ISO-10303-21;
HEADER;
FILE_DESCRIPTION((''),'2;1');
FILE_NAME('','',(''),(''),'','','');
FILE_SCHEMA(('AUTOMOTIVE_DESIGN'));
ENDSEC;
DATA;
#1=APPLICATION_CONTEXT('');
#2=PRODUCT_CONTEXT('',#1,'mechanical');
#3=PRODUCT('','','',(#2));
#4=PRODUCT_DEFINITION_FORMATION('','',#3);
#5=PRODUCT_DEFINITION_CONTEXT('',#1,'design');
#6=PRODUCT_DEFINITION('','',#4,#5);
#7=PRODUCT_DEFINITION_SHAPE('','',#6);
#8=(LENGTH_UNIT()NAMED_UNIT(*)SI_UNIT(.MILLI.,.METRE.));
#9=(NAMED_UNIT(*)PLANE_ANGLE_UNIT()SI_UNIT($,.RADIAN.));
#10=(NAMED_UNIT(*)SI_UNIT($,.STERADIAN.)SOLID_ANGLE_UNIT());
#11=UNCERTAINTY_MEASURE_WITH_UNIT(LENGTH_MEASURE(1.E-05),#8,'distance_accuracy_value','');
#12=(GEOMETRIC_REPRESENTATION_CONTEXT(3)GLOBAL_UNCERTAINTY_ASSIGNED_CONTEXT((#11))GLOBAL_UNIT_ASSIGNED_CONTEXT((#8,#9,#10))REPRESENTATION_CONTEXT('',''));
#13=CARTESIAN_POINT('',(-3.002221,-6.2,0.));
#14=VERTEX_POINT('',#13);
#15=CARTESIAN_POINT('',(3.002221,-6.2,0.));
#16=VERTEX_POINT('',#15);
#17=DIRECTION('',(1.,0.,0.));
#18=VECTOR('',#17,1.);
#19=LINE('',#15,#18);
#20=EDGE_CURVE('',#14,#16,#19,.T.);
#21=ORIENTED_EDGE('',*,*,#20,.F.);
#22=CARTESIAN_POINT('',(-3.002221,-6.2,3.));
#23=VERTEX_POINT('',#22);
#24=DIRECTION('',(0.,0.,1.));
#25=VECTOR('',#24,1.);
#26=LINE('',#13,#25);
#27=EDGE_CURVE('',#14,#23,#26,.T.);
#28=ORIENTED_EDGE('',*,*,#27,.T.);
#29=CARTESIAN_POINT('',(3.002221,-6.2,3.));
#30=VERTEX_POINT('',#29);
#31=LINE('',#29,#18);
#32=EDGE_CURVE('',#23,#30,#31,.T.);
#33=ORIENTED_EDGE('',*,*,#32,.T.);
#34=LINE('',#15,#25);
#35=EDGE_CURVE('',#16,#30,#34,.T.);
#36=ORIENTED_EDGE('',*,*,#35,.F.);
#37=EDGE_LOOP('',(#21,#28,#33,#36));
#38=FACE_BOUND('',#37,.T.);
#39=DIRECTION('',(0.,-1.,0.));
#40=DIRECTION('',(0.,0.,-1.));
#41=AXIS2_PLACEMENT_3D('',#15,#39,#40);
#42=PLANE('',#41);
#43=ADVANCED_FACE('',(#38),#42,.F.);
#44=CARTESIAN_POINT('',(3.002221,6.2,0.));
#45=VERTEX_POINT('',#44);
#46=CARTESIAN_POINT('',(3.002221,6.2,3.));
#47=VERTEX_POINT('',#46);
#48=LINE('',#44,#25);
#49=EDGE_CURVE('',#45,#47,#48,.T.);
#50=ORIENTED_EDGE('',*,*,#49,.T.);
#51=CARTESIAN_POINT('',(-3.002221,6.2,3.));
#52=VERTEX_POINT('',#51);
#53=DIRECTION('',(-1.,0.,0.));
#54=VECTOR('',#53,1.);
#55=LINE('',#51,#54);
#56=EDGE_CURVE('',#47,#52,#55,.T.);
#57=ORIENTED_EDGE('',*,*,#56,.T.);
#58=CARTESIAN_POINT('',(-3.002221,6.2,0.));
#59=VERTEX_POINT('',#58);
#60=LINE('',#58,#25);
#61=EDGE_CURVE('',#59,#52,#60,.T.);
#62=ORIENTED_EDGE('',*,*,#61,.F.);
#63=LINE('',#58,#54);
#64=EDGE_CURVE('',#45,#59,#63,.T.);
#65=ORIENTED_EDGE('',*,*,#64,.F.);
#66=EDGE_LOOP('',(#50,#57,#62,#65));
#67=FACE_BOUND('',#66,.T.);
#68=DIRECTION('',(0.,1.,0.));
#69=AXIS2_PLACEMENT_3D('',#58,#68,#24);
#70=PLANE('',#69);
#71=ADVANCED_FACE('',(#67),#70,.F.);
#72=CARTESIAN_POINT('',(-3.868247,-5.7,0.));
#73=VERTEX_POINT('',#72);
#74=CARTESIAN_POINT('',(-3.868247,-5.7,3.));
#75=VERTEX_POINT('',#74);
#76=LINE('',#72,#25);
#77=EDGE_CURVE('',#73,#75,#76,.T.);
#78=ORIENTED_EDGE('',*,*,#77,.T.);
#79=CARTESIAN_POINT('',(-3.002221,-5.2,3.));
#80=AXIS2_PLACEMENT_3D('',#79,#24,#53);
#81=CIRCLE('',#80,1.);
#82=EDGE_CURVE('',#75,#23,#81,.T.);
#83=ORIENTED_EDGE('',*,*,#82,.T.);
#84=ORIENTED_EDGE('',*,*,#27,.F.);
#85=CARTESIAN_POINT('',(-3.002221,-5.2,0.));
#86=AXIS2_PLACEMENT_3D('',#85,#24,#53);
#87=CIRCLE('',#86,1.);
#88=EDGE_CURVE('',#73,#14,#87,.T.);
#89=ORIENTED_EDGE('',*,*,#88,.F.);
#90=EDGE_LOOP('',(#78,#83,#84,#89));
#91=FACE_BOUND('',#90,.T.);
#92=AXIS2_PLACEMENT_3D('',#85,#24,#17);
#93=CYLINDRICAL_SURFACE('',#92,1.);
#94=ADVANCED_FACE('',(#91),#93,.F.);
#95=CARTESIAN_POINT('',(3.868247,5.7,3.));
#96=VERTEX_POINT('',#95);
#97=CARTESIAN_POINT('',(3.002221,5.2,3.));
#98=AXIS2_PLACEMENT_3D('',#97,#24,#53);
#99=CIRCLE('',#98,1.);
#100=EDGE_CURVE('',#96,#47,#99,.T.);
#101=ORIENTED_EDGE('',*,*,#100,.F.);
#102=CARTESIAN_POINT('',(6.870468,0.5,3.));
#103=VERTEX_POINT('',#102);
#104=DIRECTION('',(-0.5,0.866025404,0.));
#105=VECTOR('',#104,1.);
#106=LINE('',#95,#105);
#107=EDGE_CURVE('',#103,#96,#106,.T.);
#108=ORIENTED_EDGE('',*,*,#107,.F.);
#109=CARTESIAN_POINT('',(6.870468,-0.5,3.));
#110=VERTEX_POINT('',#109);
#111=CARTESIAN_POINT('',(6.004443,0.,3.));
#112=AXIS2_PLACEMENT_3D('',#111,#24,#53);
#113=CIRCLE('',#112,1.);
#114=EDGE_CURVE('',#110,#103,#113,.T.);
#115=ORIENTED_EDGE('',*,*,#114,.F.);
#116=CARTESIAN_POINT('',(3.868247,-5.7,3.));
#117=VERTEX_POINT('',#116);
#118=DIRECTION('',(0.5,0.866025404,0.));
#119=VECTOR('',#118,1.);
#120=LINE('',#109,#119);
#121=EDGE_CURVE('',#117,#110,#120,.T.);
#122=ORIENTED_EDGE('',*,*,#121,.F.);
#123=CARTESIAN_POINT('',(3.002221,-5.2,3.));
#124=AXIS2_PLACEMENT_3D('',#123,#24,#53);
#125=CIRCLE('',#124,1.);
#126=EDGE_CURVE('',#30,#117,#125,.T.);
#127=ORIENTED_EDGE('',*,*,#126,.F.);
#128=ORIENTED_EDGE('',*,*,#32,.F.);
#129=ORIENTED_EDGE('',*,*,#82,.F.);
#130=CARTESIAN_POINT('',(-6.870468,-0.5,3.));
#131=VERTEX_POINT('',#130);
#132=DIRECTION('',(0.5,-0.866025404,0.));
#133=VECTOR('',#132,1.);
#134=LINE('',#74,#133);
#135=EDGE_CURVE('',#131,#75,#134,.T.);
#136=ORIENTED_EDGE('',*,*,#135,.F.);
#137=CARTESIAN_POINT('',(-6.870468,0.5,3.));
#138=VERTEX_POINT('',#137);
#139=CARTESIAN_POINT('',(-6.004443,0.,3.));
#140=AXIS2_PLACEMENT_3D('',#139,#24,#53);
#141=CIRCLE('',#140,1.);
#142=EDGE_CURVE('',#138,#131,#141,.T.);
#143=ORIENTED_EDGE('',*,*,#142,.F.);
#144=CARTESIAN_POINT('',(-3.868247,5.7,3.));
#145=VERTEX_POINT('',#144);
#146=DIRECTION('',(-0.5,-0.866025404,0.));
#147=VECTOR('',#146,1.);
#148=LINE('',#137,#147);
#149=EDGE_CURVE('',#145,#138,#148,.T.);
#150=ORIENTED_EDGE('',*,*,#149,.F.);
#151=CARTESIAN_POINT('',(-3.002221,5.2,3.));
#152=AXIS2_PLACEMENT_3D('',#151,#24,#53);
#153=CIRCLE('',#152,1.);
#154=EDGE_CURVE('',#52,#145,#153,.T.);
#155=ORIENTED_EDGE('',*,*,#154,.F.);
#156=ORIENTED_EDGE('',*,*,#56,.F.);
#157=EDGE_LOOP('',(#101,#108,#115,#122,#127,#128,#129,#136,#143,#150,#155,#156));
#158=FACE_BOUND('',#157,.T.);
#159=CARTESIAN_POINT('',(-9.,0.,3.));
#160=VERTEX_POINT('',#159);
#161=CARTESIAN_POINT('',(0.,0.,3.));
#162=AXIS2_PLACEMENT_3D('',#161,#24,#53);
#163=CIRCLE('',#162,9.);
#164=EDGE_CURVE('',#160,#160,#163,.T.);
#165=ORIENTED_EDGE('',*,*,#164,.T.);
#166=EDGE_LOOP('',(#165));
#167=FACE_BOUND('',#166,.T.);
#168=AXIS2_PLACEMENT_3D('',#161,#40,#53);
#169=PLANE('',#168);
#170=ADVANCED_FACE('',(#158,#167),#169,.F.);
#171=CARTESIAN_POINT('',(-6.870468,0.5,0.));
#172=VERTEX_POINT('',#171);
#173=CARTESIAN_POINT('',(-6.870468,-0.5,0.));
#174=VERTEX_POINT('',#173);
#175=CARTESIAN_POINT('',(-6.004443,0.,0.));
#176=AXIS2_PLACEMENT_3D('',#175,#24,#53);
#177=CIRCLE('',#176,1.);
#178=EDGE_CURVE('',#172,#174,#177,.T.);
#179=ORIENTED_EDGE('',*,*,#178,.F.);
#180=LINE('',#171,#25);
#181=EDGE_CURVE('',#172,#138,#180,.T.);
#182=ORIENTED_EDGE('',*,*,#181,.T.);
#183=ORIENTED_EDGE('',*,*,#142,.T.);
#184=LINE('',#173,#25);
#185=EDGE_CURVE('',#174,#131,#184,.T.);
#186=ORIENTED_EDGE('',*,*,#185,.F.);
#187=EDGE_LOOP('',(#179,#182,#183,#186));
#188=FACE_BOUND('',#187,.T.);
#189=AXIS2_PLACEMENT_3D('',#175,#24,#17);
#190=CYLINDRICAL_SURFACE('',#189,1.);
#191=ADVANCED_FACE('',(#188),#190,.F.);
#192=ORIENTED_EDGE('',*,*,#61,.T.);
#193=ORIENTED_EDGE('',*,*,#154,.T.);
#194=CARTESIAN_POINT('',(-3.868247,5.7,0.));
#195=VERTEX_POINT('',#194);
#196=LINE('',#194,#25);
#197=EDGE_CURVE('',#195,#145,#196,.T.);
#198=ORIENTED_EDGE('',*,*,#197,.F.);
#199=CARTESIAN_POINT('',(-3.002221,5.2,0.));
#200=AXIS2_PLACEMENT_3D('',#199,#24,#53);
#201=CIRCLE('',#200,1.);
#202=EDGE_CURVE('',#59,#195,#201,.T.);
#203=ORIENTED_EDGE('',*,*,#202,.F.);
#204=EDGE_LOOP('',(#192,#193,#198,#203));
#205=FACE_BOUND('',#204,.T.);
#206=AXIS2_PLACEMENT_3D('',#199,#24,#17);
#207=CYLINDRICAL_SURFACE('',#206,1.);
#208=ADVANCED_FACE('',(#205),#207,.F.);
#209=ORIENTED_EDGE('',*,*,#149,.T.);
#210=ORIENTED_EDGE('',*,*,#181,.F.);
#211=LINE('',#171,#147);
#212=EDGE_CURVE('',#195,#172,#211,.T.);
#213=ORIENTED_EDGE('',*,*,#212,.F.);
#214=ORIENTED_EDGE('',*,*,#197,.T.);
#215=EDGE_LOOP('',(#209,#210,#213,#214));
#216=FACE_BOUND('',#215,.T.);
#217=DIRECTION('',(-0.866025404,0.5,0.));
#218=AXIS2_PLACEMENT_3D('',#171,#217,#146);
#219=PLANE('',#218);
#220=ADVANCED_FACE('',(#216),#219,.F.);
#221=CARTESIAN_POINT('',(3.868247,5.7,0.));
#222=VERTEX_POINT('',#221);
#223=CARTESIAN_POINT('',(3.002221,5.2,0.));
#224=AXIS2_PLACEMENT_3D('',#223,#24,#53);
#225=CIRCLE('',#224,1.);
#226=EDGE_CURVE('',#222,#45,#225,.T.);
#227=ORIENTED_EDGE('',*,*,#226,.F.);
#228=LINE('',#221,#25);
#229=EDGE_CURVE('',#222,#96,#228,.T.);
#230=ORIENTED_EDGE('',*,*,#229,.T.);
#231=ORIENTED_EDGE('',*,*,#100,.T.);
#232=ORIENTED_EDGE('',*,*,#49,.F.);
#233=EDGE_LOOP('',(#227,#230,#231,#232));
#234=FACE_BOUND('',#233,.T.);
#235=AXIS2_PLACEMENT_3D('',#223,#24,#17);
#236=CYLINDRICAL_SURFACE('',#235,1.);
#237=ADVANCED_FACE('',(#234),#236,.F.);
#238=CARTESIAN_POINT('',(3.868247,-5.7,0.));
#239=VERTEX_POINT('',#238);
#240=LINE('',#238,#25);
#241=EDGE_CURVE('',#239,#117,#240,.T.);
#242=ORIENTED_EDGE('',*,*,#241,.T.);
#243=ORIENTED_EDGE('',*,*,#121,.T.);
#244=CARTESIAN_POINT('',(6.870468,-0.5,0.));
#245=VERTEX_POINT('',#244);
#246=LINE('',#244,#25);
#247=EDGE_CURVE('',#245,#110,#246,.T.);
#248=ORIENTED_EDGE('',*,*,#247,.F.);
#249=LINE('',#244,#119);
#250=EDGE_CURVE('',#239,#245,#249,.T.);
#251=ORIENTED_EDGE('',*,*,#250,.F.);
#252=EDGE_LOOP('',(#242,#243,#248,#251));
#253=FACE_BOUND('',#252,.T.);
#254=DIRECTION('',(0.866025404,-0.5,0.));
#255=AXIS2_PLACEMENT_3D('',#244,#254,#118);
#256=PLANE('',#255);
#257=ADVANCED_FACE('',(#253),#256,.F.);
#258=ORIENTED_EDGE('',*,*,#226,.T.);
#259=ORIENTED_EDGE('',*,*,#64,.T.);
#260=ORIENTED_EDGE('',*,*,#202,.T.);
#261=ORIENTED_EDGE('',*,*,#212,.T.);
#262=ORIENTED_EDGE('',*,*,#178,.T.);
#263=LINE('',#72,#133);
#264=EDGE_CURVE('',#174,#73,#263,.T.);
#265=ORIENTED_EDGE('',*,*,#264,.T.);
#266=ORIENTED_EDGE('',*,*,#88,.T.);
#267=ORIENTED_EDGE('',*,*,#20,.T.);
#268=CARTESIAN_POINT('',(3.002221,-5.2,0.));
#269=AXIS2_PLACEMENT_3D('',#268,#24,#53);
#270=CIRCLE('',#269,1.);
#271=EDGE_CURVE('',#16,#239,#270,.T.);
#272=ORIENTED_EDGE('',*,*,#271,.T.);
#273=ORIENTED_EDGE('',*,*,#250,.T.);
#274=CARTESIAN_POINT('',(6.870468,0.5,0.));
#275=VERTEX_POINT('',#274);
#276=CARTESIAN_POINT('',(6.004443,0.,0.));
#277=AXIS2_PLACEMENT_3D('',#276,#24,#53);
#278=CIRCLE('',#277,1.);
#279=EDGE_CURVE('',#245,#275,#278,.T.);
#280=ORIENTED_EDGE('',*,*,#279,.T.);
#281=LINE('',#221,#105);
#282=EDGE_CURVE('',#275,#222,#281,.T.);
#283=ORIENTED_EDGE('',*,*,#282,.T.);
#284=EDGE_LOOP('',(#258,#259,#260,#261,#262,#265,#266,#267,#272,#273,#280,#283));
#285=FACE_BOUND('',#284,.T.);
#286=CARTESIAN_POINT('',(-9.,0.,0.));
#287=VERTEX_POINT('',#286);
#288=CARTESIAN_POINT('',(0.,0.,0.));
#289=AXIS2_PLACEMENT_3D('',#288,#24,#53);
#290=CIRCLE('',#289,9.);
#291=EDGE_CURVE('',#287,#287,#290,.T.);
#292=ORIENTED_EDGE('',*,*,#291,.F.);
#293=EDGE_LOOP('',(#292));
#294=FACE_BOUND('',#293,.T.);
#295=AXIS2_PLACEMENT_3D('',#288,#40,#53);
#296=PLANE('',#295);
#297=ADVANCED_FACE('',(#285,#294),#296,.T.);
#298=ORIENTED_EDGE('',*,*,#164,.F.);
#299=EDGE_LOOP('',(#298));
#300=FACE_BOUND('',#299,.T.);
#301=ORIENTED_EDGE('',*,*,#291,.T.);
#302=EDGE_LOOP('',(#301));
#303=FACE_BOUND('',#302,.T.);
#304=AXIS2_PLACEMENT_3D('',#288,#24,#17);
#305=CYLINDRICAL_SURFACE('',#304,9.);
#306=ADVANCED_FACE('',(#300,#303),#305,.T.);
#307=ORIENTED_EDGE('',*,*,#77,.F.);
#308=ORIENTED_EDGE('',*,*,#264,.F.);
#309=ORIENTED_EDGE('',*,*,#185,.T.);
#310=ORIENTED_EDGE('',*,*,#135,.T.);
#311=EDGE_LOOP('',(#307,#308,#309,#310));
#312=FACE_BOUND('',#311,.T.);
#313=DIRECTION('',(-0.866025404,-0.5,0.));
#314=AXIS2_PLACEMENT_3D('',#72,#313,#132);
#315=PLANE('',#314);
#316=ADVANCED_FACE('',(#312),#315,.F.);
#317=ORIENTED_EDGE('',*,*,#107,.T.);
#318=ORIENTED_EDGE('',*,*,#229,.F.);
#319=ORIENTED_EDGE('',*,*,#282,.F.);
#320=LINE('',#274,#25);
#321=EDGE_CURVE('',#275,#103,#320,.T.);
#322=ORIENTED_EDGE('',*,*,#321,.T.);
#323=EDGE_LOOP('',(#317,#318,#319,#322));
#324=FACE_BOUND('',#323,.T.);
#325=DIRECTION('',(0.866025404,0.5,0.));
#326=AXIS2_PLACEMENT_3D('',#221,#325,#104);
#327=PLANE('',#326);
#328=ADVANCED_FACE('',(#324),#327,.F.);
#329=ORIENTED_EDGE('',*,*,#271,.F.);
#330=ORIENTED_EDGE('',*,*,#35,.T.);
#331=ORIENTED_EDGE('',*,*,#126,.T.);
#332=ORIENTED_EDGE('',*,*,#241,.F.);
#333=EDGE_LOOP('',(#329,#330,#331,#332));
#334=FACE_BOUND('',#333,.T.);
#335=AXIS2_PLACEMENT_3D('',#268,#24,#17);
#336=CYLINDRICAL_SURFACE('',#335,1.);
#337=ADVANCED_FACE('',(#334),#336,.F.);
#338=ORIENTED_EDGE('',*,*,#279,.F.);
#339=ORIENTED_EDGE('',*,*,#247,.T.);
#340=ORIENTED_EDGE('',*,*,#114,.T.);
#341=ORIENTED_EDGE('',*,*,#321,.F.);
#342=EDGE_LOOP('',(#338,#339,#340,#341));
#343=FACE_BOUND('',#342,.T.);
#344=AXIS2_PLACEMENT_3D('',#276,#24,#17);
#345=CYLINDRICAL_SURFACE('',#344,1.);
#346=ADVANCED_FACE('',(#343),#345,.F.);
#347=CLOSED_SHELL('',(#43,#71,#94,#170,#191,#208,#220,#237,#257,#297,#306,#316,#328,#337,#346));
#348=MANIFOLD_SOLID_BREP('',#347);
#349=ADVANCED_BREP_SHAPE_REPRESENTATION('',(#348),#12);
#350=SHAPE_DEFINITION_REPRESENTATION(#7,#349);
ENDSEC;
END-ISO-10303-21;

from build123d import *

# Parameters (mm, degrees)
SKETCH1_R           = 9
BOSS_EXTRUDE1_DEPTH = 3


with BuildPart() as part:
    # Sketch1 → Boss-Extrude1 (new body)
    with BuildSketch(Plane.XY.offset(3)):
        with Locations(Location((0, 0, 0), (0, 0, 180))):
            Circle(SKETCH1_R)
        with BuildLine():
            Line((-3.0022214, 6.2), (3.0022214, 6.2))
            ThreePointArc((3.0022214, 6.2), (3.5022214, 6.066025404), (3.868246804, 5.7))
            Line((3.868246804, 5.7), (6.870468203, 0.5))
            ThreePointArc((6.870468203, 0.5), (7.0044428, 0), (6.870468203, -0.5))
            Line((6.870468203, -0.5), (3.868246804, -5.7))
            ThreePointArc((3.868246804, -5.7), (3.5022214, -6.066025404), (3.0022214, -6.2))
            Line((3.0022214, -6.2), (-3.0022214, -6.2))
            ThreePointArc((-3.0022214, -6.2), (-3.5022214, -6.066025404), (-3.868246804, -5.7))
            Line((-3.868246804, -5.7), (-6.870468203, -0.5))
            ThreePointArc((-6.870468203, -0.5), (-7.0044428, 0), (-6.870468203, 0.5))
            Line((-6.870468203, 0.5), (-3.868246804, 5.7))
            ThreePointArc((-3.868246804, 5.7), (-3.5022214, 6.066025404), (-3.0022214, 6.2))
        make_face(mode=Mode.SUBTRACT)
    extrude(amount=-BOSS_EXTRUDE1_DEPTH)


solid = part.part
